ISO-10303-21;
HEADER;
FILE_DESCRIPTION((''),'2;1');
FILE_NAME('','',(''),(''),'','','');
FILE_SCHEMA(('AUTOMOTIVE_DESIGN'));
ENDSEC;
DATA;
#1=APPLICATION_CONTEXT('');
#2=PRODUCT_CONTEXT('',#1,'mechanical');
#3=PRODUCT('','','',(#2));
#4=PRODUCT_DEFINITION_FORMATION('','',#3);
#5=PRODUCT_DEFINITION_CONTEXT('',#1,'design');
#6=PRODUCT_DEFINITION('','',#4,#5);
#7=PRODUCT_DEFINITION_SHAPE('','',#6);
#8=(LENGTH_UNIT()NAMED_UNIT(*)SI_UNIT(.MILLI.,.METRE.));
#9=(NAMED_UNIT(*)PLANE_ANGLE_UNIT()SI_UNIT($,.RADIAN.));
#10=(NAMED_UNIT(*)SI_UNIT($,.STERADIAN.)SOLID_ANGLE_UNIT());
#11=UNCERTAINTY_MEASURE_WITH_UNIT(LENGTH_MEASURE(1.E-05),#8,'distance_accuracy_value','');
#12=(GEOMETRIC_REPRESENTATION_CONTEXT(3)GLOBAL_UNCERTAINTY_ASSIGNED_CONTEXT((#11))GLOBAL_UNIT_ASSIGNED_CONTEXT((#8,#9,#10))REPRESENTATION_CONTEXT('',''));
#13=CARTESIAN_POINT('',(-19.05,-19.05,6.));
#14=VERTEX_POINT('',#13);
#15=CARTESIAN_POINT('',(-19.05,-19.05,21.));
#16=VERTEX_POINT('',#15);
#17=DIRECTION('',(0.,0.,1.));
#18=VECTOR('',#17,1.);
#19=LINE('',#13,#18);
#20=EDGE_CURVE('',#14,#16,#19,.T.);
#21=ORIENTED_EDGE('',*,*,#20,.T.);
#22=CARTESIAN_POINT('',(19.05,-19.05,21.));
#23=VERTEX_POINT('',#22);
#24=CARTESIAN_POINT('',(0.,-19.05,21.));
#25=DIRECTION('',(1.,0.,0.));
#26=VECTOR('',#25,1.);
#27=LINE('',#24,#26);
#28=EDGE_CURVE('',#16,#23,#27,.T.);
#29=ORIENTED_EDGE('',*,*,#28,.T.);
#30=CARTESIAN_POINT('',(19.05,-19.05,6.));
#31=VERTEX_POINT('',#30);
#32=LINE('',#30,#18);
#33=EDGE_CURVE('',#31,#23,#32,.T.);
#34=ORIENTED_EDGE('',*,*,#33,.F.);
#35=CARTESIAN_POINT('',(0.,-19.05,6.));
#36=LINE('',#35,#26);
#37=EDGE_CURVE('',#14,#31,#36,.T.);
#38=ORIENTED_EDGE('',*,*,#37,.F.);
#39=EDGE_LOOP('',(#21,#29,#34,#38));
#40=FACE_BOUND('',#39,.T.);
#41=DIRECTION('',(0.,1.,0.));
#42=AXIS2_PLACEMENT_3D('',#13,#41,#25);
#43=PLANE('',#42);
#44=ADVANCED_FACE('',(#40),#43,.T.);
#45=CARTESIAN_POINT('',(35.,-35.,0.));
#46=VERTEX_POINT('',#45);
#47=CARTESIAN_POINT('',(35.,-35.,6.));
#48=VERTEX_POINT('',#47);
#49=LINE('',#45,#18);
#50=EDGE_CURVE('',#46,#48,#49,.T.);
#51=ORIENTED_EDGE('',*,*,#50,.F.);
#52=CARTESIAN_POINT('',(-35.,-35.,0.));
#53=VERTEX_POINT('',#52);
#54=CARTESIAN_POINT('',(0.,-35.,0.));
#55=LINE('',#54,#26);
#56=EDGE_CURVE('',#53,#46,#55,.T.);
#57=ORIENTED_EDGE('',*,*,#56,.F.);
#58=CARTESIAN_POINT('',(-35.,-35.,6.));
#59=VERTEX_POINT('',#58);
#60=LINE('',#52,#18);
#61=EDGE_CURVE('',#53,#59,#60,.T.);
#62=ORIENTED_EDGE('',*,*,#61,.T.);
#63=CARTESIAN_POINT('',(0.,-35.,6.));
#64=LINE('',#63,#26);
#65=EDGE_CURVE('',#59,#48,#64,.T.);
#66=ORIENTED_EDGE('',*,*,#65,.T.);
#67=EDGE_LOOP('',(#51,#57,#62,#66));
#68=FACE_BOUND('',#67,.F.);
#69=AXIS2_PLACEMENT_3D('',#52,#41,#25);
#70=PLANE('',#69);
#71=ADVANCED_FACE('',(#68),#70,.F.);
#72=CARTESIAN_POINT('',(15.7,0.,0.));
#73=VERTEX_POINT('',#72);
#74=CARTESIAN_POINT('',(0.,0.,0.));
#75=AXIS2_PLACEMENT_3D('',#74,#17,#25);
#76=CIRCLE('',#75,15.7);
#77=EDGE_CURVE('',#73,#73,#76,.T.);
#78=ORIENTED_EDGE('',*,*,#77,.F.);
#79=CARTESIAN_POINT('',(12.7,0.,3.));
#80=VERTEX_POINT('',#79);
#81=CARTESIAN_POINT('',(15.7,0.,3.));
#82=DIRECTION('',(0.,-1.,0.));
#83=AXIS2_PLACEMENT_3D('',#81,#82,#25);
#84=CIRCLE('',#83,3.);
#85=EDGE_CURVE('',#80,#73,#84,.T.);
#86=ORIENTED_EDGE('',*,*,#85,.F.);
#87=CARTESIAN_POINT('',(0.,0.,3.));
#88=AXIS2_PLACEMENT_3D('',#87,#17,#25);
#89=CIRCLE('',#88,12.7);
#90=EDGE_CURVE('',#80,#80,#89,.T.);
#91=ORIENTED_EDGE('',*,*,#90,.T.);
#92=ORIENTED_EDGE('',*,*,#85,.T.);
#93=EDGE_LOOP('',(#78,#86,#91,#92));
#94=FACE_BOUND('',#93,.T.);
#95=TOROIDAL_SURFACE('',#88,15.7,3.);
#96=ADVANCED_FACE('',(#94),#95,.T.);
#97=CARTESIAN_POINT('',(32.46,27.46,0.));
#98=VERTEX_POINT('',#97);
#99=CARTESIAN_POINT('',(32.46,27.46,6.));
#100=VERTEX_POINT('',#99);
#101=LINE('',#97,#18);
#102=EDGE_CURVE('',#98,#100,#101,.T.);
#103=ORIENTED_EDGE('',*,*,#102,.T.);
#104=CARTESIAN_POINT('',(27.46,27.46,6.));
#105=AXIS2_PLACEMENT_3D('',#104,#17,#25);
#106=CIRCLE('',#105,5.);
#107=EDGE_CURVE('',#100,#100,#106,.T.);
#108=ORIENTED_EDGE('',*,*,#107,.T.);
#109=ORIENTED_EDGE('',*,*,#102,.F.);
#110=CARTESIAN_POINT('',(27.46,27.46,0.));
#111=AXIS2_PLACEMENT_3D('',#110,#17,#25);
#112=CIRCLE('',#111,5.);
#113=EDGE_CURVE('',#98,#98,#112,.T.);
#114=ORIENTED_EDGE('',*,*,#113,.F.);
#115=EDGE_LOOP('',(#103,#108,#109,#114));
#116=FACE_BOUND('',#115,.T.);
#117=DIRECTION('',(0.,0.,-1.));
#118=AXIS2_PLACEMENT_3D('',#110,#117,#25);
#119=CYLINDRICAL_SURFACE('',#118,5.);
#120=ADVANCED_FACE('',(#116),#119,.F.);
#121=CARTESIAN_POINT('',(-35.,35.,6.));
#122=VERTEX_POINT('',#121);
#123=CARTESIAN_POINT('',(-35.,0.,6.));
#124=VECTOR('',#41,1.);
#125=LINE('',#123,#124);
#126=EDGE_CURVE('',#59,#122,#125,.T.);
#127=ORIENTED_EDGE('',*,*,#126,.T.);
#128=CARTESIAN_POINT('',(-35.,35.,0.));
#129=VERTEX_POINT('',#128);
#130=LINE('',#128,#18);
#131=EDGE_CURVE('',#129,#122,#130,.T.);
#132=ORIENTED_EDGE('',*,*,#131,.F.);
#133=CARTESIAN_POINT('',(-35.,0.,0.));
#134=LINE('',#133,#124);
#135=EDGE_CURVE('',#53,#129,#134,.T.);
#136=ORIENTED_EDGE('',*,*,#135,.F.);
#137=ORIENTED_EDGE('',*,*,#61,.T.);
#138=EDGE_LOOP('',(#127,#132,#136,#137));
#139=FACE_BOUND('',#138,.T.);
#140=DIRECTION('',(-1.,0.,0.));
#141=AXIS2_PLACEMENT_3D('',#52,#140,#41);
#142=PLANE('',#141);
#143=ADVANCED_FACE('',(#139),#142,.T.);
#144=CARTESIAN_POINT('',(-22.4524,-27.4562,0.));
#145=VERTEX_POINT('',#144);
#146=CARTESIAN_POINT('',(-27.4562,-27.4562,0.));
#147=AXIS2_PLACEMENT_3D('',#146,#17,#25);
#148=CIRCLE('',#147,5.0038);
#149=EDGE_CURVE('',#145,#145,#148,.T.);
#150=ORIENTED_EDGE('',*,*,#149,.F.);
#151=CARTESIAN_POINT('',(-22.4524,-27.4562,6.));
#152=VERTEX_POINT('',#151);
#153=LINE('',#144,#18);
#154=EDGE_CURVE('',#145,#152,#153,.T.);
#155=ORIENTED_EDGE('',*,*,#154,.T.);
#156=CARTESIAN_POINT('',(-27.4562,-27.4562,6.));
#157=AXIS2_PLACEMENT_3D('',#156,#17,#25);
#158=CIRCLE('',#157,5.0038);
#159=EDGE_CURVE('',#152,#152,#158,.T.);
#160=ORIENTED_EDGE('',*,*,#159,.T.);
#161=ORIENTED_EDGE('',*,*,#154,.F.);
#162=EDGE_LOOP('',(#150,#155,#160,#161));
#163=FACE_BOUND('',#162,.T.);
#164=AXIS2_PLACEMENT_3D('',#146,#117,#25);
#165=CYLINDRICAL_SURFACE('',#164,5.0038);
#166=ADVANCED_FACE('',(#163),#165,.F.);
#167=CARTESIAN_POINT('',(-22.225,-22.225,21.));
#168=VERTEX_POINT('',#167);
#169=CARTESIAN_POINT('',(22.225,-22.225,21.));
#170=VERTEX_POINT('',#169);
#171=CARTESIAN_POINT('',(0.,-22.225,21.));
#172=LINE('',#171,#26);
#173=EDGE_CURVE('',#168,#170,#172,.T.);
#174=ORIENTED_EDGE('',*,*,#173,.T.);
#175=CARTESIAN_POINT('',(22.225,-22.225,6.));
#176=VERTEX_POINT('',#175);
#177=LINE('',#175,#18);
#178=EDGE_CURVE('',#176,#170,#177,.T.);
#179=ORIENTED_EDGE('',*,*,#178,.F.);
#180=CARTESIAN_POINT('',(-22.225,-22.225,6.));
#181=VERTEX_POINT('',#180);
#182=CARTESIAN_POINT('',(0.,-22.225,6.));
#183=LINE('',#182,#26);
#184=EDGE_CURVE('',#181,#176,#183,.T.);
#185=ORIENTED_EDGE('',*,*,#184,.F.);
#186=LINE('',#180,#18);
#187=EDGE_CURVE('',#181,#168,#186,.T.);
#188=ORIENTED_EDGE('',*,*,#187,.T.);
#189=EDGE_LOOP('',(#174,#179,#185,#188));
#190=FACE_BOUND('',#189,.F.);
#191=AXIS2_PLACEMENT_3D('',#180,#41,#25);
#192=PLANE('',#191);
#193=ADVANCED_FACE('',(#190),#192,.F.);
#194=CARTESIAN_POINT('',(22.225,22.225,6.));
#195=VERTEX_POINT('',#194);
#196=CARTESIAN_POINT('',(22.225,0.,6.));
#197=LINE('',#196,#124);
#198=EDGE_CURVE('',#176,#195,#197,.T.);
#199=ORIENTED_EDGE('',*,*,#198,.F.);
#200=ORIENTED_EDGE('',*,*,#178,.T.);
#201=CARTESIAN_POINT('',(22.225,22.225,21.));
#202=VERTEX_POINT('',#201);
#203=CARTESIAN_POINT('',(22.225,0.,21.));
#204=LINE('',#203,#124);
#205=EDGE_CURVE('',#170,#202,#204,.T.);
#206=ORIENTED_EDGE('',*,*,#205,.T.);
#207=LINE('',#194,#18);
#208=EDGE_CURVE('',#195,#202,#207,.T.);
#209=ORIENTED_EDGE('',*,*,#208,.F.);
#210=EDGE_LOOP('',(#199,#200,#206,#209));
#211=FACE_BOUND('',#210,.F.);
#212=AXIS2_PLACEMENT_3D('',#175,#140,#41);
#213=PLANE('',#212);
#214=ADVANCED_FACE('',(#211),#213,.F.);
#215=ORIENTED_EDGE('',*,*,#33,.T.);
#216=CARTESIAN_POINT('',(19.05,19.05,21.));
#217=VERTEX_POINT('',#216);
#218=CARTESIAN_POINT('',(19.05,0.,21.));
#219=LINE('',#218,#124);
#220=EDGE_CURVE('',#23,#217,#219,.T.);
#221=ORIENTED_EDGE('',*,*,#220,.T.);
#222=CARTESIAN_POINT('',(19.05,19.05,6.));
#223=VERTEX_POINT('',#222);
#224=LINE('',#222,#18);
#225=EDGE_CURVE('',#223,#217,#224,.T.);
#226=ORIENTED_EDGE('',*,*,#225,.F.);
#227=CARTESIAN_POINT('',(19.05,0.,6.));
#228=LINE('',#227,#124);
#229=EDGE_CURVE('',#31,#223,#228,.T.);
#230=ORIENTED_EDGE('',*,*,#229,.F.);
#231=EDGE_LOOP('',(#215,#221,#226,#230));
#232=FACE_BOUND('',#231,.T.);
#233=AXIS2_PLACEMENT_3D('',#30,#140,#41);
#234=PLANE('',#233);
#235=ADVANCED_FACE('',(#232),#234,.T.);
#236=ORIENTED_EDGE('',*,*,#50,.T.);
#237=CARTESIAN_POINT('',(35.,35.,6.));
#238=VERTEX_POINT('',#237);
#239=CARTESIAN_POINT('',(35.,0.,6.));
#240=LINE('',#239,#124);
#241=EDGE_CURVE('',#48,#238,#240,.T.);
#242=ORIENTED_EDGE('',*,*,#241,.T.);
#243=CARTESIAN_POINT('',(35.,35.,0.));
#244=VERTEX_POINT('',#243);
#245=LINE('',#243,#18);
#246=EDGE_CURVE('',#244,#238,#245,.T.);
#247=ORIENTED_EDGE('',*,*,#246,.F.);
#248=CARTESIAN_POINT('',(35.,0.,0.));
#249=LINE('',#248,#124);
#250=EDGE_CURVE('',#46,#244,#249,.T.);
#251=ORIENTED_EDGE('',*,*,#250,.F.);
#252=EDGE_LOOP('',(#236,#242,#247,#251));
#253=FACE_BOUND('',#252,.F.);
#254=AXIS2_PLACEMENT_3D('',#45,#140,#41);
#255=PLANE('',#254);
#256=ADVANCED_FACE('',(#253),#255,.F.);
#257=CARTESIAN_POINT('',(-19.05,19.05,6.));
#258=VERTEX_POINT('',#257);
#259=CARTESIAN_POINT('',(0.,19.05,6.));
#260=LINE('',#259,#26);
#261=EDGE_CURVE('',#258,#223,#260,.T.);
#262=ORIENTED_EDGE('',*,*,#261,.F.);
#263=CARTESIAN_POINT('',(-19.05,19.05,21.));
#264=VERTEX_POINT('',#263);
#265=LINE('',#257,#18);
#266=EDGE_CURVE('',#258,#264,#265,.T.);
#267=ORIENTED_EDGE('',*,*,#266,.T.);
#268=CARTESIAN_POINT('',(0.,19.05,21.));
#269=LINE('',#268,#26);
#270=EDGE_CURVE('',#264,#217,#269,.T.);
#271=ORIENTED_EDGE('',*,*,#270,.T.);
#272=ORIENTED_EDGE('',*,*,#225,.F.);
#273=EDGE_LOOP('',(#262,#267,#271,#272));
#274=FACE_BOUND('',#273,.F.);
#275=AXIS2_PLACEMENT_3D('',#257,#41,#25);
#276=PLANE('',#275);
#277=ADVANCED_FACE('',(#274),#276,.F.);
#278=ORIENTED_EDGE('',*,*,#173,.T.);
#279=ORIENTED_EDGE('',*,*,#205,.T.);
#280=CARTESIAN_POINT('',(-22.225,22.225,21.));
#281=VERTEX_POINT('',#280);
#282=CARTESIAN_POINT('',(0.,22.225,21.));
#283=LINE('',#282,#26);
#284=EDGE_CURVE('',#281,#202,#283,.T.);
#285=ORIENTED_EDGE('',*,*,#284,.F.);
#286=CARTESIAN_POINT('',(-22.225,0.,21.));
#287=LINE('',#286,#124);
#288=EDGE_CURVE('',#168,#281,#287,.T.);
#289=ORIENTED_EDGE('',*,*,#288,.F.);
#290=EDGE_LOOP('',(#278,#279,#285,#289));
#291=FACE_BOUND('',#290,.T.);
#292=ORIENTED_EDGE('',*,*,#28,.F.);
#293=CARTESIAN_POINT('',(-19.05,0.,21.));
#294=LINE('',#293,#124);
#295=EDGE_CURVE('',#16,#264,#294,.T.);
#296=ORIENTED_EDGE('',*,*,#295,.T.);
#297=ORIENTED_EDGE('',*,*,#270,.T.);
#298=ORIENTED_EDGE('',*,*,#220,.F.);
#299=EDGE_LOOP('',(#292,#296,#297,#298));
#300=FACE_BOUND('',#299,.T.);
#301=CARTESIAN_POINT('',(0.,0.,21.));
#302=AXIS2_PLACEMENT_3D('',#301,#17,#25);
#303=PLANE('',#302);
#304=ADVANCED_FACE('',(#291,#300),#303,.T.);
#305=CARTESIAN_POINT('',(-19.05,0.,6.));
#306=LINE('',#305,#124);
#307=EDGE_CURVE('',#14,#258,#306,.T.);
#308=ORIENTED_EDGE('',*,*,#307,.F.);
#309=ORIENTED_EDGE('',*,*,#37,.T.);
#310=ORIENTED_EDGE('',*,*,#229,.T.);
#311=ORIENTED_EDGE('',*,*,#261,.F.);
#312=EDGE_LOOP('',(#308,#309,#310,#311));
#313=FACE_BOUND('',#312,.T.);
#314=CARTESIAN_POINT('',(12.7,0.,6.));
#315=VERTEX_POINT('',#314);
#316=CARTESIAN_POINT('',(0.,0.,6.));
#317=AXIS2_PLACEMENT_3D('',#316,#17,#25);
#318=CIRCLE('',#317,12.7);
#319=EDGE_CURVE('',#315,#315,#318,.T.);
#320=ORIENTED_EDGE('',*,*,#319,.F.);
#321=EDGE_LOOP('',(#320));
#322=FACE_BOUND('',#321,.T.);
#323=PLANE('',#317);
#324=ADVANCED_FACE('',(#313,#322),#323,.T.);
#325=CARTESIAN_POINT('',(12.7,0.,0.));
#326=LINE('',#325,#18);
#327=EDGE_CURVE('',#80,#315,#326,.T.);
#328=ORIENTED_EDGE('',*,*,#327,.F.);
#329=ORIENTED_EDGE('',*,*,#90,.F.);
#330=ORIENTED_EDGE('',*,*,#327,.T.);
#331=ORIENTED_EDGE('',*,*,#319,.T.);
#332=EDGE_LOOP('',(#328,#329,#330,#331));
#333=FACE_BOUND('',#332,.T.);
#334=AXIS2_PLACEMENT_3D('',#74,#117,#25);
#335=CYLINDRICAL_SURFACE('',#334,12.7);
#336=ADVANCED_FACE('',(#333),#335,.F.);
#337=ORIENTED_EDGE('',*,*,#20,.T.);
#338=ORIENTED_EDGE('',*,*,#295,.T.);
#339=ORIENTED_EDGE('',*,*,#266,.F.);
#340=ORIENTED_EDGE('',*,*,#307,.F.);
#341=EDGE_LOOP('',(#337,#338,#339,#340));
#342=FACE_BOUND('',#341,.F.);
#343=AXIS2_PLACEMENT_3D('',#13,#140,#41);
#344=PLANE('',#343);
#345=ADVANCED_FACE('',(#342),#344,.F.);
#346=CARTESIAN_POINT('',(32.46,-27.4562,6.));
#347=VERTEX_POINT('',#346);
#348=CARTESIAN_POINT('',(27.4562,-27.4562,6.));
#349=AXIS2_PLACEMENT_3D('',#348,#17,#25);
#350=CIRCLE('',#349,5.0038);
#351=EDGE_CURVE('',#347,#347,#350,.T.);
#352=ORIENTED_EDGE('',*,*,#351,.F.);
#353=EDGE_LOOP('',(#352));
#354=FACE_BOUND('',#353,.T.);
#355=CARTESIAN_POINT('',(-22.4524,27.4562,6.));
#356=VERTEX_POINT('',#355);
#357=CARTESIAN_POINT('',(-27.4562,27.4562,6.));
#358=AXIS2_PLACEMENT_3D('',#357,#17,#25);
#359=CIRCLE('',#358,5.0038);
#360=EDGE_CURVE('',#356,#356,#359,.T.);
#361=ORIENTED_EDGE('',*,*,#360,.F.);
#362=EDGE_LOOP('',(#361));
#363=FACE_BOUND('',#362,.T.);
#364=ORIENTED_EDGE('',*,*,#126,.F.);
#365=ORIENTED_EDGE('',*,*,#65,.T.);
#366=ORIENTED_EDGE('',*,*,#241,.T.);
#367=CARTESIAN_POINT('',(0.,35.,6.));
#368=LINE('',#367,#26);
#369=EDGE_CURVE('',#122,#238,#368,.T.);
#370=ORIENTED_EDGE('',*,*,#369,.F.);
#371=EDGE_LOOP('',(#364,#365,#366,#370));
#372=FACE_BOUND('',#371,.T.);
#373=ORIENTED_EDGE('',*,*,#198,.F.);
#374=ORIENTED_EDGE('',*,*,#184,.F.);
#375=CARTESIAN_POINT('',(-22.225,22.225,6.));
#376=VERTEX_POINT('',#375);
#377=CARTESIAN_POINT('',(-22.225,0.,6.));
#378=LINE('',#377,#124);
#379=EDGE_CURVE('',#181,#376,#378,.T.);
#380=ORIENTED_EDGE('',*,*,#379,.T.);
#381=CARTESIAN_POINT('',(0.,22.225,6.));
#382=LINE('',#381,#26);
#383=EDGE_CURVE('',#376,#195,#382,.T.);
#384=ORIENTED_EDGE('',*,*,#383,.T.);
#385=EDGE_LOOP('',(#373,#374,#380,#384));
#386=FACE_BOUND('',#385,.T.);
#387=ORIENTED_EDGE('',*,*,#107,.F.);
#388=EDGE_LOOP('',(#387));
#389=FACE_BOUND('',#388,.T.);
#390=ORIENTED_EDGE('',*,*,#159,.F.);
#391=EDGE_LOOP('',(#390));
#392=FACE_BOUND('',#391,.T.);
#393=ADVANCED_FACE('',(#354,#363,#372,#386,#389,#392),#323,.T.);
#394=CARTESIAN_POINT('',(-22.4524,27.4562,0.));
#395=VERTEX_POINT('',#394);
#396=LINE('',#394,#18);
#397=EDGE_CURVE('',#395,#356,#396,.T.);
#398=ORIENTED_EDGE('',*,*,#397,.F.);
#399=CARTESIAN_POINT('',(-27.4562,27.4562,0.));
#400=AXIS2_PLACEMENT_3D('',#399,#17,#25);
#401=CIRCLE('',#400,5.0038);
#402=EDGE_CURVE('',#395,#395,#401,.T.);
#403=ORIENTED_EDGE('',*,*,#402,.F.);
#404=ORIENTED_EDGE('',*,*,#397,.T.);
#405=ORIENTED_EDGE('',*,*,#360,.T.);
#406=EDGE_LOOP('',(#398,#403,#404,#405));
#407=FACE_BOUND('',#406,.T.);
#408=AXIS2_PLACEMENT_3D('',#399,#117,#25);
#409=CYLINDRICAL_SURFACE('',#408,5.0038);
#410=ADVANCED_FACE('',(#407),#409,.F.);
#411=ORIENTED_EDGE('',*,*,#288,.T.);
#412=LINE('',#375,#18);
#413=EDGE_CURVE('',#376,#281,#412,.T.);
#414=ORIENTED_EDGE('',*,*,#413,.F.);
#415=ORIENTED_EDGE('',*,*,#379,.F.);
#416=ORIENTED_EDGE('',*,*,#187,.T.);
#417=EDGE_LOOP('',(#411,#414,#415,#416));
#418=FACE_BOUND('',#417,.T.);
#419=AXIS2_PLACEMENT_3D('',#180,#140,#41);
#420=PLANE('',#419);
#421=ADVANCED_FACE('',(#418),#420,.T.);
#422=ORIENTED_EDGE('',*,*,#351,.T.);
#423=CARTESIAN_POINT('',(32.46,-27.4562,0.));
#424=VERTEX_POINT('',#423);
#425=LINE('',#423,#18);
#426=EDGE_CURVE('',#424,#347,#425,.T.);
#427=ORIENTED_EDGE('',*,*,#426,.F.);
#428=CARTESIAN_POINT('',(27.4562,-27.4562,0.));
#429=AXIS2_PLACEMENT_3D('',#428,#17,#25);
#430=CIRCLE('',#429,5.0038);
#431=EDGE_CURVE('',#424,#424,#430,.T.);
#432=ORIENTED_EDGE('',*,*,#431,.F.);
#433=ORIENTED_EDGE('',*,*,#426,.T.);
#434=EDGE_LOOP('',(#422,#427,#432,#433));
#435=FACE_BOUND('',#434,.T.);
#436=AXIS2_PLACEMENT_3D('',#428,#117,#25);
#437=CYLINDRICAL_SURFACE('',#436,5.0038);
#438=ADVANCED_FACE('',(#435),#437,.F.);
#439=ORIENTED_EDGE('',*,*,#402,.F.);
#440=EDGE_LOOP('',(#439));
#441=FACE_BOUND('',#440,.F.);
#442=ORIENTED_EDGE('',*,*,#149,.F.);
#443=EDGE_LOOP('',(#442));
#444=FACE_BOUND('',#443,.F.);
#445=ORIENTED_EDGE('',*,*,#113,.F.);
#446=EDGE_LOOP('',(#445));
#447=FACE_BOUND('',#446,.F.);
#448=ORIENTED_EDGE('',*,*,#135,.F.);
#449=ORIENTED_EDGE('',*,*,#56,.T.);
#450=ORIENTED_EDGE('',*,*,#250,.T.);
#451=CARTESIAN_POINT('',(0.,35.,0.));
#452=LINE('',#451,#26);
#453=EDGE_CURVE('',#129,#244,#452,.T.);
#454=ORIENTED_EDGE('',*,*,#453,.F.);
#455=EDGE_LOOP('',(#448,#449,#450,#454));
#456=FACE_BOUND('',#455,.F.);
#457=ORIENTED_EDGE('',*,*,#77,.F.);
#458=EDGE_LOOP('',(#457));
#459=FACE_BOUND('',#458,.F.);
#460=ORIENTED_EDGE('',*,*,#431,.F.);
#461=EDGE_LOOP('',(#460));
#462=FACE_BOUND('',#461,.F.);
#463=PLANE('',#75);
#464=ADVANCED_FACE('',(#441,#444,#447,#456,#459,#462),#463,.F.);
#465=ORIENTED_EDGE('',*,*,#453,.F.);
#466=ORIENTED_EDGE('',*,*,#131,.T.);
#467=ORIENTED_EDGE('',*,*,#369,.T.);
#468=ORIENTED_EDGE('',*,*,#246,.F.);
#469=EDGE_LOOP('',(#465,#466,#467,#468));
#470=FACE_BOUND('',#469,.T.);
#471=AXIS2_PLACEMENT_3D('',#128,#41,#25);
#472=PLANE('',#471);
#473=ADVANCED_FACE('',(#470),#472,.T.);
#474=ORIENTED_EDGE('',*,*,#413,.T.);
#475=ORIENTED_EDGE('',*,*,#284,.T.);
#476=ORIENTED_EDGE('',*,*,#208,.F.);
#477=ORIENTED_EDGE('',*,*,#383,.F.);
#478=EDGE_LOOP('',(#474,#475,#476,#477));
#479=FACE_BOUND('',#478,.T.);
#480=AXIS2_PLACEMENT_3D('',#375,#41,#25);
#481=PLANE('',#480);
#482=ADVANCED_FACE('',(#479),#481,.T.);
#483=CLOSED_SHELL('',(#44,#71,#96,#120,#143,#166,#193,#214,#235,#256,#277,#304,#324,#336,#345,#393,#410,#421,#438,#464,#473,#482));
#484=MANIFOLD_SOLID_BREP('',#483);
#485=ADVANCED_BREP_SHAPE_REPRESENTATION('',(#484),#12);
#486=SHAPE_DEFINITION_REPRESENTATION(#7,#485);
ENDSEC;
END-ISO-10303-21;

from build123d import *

# Parameters (mm, degrees)
F0_W     = 70
F0_H     = 70
F0_R     = 5.0038
F0_R_2   = 12.7
F0_R_3   = 5
F1_DEPTH = 6
F2_R     = 3
F3_W     = 44.45
F3_H     = 44.45
F3_W_2   = 38.1
F3_H_2   = 38.1
F4_DEPTH = 15


with BuildPart() as f1:
    # F0 (on Top) → F1 (new body)
    with BuildSketch(Plane.XY):
        Rectangle(F0_W, F0_H)
        with Locations((-27.4562, -27.4562)):
            Circle(F0_R, mode=Mode.SUBTRACT)
        with Locations((27.4562, -27.4562)):
            Circle(F0_R, mode=Mode.SUBTRACT)
        with Locations((-27.4562, 27.4562)):
            Circle(F0_R, mode=Mode.SUBTRACT)
        Circle(F0_R_2, mode=Mode.SUBTRACT)
        with Locations((27.46, 27.46)):
            Circle(F0_R_3, mode=Mode.SUBTRACT)
    extrude(amount=F1_DEPTH)

    # F2
    f2_edges = [f1.edges().sort_by_distance(p)[0] for p in [
        (-12.7, 0, 0),
    ]]
    fillet(f2_edges, radius=F2_R)

    # F3 (on face) → F4 (join)
    with BuildSketch(Plane.XY.offset(6)):
        Rectangle(F3_W, F3_H)
        Rectangle(F3_W_2, F3_H_2, mode=Mode.SUBTRACT)
    extrude(amount=F4_DEPTH)


solid = f1.part
